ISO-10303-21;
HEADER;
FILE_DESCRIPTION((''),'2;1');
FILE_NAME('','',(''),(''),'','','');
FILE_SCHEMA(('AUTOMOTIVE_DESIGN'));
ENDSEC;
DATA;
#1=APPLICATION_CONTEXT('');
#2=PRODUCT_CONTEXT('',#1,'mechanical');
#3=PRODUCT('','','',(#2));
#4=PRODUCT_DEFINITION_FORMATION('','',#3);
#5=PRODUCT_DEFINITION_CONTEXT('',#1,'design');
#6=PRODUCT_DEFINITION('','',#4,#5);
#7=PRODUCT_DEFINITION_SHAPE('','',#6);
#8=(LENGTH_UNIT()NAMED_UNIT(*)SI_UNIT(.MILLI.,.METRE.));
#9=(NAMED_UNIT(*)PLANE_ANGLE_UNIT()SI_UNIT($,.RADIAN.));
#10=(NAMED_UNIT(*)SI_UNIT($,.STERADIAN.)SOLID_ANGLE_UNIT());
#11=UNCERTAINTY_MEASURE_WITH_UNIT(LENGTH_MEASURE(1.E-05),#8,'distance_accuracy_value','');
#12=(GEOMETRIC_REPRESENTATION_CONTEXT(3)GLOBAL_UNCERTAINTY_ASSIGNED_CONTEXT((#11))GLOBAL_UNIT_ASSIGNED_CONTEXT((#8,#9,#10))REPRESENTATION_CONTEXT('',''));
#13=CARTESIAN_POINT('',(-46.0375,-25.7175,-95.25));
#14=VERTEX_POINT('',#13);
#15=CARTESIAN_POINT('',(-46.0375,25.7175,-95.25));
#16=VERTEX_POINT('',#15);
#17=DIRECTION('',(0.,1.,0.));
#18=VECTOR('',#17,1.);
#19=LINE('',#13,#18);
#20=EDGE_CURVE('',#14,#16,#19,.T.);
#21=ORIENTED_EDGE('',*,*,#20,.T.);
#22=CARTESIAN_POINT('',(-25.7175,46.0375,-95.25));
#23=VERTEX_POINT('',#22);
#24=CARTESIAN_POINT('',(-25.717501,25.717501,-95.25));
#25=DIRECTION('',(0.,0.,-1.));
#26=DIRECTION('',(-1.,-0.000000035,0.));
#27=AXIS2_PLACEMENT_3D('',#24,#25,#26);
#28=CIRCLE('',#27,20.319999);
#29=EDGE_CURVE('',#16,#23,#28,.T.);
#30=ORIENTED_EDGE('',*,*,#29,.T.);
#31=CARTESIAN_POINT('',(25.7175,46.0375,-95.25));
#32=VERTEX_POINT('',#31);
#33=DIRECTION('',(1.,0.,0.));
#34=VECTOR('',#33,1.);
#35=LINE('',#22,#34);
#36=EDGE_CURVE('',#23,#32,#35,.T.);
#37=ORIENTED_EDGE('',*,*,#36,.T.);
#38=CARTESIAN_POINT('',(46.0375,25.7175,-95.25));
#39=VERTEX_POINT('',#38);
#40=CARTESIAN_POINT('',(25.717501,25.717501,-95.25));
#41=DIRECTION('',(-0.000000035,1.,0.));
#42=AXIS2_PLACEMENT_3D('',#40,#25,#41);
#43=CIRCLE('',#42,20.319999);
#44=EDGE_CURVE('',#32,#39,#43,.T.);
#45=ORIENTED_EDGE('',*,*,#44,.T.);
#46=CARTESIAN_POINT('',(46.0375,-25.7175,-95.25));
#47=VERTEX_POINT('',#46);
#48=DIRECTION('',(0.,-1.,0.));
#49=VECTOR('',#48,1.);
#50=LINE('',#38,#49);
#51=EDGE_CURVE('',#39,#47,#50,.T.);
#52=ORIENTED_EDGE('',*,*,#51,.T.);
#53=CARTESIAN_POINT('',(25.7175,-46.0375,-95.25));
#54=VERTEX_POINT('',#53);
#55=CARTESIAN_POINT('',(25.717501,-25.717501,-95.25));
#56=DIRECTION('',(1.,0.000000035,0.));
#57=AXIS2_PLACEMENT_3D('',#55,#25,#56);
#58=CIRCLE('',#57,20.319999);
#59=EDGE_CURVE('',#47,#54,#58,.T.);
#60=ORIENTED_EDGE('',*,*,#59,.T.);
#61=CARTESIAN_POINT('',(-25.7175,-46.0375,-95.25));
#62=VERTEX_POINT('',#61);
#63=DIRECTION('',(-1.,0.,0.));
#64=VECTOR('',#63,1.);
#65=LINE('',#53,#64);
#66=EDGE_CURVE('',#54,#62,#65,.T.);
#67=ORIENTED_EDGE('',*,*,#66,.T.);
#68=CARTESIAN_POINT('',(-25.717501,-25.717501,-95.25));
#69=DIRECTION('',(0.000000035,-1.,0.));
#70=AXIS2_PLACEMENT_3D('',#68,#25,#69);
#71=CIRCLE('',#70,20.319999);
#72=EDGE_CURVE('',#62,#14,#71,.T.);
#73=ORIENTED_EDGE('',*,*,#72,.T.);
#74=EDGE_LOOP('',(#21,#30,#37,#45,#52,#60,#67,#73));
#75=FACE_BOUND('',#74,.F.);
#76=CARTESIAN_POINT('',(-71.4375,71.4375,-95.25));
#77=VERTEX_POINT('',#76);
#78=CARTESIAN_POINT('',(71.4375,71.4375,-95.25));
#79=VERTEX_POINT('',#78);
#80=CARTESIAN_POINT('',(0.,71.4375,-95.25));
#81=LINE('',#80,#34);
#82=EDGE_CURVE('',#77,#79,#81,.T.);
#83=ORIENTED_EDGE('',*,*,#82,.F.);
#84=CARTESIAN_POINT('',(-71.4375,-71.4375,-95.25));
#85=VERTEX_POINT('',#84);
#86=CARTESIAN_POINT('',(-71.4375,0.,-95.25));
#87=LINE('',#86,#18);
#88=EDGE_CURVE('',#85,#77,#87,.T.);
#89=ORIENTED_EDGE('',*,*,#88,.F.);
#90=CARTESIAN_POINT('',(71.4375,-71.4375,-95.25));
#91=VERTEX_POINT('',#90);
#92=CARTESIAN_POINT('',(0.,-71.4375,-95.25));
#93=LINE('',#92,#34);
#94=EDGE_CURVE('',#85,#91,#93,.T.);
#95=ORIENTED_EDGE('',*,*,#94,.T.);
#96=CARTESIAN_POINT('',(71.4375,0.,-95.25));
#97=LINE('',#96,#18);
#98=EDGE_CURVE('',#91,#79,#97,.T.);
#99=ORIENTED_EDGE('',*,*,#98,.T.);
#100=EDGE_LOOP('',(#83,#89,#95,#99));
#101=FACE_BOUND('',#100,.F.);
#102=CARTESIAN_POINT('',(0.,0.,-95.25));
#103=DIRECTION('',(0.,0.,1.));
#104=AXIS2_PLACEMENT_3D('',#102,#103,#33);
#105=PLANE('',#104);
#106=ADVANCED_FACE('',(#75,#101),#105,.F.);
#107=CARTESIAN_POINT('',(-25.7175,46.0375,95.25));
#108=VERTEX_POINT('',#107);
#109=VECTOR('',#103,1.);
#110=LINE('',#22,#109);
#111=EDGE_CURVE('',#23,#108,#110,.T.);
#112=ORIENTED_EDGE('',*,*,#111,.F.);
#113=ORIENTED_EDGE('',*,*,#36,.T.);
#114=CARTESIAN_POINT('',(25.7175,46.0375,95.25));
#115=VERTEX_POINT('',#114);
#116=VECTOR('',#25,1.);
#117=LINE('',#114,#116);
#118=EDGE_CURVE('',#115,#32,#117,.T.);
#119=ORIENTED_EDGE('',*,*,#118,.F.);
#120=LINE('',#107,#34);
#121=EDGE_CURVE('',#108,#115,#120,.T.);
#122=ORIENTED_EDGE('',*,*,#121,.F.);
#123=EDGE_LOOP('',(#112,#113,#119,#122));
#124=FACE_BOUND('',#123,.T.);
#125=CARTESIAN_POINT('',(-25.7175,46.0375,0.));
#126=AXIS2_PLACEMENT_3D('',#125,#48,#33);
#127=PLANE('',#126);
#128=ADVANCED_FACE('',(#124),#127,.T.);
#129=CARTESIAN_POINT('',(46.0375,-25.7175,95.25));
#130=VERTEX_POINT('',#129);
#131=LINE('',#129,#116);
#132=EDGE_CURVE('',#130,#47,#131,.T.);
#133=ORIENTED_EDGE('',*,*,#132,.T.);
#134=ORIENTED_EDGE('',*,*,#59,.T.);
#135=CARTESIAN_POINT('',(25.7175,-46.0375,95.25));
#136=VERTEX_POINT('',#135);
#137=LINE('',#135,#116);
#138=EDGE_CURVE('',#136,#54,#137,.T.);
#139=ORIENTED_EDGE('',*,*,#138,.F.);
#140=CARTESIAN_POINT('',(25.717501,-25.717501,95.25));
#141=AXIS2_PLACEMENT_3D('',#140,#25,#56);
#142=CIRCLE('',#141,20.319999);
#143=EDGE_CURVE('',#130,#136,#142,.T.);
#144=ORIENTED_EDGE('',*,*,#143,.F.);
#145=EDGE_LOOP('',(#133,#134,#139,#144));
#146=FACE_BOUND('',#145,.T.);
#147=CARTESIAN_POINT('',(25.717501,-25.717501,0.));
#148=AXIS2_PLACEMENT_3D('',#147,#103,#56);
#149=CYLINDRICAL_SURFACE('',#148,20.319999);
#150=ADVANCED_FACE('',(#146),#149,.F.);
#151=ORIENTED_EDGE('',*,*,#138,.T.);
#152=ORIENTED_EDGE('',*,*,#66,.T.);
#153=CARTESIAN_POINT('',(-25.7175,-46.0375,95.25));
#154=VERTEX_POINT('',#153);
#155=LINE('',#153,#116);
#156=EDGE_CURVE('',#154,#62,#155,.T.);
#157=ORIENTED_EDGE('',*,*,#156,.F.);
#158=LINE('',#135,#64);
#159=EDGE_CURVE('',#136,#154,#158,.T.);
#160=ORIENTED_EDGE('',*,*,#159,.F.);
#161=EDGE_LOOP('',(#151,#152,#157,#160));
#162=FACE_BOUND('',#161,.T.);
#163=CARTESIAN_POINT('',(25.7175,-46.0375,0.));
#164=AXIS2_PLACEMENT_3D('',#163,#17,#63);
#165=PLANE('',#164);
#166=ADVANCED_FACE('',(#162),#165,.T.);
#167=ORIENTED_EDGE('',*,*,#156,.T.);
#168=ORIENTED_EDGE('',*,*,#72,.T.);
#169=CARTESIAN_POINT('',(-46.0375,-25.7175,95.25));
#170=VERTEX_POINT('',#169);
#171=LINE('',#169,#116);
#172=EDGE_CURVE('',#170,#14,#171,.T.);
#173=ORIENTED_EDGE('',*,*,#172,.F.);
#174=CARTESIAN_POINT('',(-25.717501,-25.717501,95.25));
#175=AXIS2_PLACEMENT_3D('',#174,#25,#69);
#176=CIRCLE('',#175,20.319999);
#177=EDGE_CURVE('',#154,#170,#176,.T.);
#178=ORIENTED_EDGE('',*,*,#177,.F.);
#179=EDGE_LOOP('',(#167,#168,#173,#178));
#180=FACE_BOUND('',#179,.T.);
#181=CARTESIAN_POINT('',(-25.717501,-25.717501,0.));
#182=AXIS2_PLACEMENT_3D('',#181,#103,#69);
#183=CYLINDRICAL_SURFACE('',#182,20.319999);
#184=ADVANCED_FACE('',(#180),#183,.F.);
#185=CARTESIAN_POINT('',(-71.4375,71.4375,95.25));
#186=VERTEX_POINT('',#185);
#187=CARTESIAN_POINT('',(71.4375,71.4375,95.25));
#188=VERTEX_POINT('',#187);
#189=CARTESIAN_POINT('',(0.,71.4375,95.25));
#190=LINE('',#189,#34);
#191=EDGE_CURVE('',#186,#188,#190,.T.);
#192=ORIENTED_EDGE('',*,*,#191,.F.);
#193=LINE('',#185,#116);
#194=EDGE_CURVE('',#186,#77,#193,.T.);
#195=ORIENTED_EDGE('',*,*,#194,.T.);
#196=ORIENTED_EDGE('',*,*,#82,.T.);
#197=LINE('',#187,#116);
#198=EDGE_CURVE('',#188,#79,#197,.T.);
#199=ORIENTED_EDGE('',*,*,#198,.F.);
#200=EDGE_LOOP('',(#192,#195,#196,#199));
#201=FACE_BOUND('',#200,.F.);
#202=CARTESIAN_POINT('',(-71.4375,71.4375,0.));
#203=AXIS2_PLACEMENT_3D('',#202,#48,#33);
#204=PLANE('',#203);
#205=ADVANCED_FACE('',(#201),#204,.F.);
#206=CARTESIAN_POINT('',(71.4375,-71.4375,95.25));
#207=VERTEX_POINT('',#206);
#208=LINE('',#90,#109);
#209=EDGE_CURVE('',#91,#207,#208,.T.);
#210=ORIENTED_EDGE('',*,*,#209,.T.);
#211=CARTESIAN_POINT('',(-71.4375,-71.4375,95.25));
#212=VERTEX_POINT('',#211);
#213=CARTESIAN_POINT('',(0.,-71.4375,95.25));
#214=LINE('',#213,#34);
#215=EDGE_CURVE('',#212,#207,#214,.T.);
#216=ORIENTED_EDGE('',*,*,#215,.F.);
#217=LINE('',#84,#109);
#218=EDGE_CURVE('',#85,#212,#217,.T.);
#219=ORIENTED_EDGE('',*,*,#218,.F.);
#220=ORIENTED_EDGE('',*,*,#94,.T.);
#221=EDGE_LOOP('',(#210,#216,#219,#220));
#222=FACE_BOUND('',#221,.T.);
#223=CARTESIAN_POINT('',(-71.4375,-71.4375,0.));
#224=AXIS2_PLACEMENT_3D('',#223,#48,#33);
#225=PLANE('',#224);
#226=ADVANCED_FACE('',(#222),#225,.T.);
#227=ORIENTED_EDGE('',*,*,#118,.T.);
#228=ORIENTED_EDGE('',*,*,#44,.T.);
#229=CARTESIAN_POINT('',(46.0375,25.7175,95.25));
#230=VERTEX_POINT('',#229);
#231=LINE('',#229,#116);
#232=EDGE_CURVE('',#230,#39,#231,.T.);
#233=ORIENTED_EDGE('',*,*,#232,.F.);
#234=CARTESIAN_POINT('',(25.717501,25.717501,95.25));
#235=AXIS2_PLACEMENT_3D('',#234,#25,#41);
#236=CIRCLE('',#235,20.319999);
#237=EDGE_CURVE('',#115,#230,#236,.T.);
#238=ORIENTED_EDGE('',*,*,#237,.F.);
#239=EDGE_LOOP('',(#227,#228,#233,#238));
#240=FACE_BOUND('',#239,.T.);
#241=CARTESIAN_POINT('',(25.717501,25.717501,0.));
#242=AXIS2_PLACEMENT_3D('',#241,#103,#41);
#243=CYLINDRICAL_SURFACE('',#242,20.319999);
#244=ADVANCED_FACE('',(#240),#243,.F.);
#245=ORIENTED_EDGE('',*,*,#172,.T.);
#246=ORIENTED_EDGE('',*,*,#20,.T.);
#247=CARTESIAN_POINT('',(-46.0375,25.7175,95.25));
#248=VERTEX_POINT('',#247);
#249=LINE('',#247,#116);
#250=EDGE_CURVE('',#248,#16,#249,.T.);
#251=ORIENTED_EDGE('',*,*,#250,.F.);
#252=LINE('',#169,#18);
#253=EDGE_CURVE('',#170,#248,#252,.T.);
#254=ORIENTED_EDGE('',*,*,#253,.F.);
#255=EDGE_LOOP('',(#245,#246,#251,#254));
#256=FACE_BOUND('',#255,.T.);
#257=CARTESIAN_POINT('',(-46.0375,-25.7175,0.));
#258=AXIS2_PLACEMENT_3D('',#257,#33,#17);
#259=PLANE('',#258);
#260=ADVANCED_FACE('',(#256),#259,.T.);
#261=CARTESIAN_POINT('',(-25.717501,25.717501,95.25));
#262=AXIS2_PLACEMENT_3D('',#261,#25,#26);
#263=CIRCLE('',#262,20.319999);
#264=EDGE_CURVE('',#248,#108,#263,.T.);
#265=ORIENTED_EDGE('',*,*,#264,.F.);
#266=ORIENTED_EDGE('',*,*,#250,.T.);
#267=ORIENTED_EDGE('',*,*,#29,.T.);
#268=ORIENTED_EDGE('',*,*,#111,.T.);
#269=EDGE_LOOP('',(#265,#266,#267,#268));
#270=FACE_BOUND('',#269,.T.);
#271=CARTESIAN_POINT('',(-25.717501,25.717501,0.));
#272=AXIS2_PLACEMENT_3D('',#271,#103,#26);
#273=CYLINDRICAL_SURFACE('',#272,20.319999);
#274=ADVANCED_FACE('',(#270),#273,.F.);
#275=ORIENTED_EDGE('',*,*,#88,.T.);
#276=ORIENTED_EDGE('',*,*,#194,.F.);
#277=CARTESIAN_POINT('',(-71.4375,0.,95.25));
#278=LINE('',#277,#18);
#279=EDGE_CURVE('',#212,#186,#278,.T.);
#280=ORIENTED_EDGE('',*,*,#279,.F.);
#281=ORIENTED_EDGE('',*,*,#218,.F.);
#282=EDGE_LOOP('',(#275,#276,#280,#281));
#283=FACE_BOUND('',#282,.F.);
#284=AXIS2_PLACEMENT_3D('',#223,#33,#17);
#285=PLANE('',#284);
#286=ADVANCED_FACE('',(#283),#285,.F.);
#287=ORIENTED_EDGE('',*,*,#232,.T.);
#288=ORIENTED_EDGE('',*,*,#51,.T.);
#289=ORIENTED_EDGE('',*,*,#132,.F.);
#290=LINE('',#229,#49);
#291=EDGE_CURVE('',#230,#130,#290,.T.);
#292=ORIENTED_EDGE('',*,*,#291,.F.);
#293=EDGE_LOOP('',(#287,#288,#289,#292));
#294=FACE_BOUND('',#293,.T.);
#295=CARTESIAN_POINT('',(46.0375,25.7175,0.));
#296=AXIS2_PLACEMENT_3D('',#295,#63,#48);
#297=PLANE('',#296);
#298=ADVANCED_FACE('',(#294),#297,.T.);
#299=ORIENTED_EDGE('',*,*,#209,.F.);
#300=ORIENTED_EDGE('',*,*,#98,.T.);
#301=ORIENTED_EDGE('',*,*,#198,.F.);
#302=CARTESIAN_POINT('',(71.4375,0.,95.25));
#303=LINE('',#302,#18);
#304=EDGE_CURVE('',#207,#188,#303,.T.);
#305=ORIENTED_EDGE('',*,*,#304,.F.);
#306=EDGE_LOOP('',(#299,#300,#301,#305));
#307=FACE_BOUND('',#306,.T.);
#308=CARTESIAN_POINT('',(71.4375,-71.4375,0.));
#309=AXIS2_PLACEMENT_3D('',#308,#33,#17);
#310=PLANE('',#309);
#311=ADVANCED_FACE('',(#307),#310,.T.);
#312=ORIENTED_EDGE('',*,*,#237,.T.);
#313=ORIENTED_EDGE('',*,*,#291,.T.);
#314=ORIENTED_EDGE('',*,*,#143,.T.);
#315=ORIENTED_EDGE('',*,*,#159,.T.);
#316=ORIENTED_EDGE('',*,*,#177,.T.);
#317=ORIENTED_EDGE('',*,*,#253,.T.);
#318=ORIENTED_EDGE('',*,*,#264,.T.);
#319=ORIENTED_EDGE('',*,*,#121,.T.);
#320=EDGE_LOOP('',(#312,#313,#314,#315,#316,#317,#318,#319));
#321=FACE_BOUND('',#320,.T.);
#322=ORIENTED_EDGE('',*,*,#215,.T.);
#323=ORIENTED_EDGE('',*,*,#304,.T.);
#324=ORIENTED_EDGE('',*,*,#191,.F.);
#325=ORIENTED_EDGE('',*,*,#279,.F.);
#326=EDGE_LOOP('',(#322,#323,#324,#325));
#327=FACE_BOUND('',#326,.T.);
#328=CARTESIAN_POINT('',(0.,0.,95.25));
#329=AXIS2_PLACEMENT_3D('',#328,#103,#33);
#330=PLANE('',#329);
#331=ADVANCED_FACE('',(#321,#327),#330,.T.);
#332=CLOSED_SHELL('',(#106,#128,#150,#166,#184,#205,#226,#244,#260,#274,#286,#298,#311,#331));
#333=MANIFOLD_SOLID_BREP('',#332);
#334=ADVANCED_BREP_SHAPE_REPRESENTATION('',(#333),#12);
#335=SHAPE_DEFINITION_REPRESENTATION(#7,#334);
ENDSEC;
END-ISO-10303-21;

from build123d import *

# Parameters (mm, degrees)
F0_W     = 142.875
F0_H     = 142.875
F1_DEPTH = 95.25


with BuildPart() as f1:
    # F0 (on Top) → F1 (new body, symmetric)
    with BuildSketch(Plane.XY):
        Rectangle(F0_W, F0_H)
        with BuildLine():
            Line((-25.7175, 46.0375), (25.7175, 46.0375))
            ThreePointArc((25.7175, 46.0375), (40.08591, 40.08591), (46.0375, 25.7175))
            Line((46.0375, 25.7175), (46.0375, 0))
            Line((46.0375, 0), (46.0375, -25.7175))
            ThreePointArc((46.0375, -25.7175), (40.08591, -40.08591), (25.7175, -46.0375))
            Line((25.7175, -46.0375), (-25.7175, -46.0375))
            ThreePointArc((-25.7175, -46.0375), (-40.08591, -40.08591), (-46.0375, -25.7175))
            Line((-46.0375, -25.7175), (-46.0375, 0))
            Line((-46.0375, 0), (-46.0375, 25.7175))
            ThreePointArc((-46.0375, 25.7175), (-40.08591, 40.08591), (-25.7175, 46.0375))
        make_face(mode=Mode.SUBTRACT)
    extrude(amount=F1_DEPTH, both=True)


solid = f1.part
